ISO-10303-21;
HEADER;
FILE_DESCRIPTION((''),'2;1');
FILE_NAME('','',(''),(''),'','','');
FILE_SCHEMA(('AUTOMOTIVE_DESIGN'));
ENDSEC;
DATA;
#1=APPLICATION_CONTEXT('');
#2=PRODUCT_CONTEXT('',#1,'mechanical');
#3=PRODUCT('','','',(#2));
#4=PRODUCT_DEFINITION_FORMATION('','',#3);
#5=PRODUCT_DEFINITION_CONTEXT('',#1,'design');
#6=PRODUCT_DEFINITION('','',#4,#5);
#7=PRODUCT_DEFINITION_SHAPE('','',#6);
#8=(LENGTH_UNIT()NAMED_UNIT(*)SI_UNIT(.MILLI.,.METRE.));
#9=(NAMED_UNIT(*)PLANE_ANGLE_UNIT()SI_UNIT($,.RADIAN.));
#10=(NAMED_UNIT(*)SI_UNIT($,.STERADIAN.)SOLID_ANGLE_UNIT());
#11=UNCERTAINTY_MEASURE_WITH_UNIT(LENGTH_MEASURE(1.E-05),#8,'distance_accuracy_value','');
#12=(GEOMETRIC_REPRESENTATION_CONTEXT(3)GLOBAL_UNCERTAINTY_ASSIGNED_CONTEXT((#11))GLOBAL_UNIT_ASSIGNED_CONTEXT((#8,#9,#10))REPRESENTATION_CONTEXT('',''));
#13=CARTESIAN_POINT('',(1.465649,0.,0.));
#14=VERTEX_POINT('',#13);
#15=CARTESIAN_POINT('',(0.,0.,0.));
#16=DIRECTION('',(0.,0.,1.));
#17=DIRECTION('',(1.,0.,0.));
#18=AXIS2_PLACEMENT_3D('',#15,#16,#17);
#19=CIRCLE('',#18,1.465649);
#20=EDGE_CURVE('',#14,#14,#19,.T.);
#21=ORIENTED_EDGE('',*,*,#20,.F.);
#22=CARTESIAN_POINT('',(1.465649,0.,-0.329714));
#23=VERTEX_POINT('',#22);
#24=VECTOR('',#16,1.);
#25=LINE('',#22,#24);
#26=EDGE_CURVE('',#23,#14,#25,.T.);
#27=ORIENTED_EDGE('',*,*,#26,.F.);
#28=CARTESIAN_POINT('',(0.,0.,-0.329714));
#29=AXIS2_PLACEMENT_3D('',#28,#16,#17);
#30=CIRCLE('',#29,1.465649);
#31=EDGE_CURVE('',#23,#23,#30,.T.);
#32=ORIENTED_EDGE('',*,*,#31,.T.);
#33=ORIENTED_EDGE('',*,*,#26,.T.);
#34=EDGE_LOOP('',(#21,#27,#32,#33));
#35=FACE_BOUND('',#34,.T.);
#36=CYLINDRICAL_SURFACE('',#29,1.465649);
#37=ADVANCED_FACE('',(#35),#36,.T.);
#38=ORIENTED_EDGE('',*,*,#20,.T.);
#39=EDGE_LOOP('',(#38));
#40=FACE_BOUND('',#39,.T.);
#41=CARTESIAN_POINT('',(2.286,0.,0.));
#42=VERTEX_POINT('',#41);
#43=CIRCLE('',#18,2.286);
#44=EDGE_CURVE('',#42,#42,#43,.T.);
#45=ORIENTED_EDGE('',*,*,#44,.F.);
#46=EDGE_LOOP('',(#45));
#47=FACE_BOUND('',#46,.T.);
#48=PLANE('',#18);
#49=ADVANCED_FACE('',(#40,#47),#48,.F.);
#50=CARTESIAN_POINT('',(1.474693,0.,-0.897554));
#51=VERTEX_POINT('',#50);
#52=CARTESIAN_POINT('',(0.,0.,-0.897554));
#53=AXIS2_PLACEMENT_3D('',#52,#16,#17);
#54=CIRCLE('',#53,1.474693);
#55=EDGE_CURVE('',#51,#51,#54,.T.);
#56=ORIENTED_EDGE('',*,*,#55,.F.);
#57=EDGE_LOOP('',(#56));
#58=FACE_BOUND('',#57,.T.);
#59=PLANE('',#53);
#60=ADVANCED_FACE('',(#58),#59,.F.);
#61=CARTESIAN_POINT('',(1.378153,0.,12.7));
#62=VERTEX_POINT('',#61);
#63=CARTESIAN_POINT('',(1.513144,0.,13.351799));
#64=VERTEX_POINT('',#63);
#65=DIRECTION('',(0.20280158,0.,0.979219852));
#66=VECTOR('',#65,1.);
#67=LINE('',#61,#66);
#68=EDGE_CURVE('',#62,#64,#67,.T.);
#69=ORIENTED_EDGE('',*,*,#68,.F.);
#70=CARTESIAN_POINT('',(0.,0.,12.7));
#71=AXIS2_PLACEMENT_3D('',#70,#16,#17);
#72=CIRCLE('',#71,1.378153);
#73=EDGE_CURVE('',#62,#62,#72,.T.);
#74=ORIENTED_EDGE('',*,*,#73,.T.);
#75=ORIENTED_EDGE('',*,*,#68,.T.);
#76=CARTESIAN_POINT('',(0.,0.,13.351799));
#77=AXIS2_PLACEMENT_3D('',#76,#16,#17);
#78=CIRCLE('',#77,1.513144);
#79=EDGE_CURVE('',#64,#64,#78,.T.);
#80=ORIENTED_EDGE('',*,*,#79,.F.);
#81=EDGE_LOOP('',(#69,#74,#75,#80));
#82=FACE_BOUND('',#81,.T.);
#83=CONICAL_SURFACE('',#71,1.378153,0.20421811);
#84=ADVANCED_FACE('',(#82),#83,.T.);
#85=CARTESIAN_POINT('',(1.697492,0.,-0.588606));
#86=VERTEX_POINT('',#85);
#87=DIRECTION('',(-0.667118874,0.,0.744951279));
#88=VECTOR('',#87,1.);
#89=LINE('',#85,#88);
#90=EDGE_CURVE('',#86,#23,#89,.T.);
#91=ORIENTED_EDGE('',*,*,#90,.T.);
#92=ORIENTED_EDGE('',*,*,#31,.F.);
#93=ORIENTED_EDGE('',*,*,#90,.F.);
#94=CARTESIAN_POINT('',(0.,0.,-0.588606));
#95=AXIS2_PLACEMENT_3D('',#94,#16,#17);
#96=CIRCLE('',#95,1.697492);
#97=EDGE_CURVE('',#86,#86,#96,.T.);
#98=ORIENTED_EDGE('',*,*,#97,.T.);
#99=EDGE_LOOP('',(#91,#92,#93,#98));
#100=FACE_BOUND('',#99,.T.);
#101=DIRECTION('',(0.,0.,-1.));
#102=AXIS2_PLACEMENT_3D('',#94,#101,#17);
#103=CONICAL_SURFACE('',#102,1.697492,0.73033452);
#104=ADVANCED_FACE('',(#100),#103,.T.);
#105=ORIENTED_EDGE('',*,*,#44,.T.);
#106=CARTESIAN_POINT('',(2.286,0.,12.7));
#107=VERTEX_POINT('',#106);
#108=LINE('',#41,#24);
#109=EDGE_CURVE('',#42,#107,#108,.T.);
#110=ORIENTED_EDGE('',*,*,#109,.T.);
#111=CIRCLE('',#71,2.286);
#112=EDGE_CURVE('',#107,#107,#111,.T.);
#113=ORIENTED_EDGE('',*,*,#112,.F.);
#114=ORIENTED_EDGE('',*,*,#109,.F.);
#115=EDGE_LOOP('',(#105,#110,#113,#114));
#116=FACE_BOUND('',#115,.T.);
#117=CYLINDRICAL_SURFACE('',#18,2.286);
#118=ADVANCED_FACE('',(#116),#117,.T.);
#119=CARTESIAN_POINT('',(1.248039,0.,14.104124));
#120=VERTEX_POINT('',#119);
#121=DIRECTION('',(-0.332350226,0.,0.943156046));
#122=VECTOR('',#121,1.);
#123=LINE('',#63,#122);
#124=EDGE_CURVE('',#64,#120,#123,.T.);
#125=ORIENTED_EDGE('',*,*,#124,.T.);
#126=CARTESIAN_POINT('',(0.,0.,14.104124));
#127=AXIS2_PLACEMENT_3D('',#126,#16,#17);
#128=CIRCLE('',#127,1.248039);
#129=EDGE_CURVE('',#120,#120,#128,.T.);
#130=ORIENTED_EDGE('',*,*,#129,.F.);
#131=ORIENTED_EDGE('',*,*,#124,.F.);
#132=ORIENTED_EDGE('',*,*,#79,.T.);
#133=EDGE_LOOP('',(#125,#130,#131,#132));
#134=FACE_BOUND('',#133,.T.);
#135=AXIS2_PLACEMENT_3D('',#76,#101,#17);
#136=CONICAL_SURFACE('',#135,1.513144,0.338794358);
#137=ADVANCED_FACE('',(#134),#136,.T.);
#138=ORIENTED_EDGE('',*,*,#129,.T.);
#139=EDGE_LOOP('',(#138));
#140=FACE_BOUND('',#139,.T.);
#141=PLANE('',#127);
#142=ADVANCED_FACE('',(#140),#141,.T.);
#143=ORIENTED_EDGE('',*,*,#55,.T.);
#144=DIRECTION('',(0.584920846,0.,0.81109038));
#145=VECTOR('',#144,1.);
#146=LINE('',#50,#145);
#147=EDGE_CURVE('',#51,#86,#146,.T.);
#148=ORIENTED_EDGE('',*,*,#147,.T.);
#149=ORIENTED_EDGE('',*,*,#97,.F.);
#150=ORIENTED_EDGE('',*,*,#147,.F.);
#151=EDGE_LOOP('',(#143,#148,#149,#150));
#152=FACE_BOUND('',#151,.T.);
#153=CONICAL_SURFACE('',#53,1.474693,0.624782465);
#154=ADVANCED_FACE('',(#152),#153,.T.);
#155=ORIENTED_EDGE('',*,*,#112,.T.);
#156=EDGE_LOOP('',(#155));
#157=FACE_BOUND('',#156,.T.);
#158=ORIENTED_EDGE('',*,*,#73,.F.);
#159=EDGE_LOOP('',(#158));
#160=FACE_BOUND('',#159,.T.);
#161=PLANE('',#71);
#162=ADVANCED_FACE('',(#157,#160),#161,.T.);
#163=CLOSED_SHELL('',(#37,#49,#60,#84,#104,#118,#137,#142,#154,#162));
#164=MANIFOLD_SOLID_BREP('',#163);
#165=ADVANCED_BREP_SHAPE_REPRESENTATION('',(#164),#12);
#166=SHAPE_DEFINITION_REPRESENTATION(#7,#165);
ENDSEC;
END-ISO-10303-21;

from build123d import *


with BuildPart() as f1:
    # F0 (on Front) → F1 (revolve)
    with BuildSketch(Plane.XZ):
        Polygon((0, 14.104124), (0, 12.7), (1.378153, 12.7), (1.513144, 13.351799), (1.248039, 14.104124), align=None)
        Polygon((1.465649, 0), (0, 0), (0, -0.897554), (1.474693, -0.897554), (1.697492, -0.588606), (1.465649, -0.329714), align=None)
        Polygon((0, 12.7), (0, 0), (1.465649, 0), (2.286, 0), (2.286, 12.7), (1.378153, 12.7), align=None)
    revolve(axis=Axis((0, 0, 7.052062), (0, 0, 1)))


solid = f1.part
